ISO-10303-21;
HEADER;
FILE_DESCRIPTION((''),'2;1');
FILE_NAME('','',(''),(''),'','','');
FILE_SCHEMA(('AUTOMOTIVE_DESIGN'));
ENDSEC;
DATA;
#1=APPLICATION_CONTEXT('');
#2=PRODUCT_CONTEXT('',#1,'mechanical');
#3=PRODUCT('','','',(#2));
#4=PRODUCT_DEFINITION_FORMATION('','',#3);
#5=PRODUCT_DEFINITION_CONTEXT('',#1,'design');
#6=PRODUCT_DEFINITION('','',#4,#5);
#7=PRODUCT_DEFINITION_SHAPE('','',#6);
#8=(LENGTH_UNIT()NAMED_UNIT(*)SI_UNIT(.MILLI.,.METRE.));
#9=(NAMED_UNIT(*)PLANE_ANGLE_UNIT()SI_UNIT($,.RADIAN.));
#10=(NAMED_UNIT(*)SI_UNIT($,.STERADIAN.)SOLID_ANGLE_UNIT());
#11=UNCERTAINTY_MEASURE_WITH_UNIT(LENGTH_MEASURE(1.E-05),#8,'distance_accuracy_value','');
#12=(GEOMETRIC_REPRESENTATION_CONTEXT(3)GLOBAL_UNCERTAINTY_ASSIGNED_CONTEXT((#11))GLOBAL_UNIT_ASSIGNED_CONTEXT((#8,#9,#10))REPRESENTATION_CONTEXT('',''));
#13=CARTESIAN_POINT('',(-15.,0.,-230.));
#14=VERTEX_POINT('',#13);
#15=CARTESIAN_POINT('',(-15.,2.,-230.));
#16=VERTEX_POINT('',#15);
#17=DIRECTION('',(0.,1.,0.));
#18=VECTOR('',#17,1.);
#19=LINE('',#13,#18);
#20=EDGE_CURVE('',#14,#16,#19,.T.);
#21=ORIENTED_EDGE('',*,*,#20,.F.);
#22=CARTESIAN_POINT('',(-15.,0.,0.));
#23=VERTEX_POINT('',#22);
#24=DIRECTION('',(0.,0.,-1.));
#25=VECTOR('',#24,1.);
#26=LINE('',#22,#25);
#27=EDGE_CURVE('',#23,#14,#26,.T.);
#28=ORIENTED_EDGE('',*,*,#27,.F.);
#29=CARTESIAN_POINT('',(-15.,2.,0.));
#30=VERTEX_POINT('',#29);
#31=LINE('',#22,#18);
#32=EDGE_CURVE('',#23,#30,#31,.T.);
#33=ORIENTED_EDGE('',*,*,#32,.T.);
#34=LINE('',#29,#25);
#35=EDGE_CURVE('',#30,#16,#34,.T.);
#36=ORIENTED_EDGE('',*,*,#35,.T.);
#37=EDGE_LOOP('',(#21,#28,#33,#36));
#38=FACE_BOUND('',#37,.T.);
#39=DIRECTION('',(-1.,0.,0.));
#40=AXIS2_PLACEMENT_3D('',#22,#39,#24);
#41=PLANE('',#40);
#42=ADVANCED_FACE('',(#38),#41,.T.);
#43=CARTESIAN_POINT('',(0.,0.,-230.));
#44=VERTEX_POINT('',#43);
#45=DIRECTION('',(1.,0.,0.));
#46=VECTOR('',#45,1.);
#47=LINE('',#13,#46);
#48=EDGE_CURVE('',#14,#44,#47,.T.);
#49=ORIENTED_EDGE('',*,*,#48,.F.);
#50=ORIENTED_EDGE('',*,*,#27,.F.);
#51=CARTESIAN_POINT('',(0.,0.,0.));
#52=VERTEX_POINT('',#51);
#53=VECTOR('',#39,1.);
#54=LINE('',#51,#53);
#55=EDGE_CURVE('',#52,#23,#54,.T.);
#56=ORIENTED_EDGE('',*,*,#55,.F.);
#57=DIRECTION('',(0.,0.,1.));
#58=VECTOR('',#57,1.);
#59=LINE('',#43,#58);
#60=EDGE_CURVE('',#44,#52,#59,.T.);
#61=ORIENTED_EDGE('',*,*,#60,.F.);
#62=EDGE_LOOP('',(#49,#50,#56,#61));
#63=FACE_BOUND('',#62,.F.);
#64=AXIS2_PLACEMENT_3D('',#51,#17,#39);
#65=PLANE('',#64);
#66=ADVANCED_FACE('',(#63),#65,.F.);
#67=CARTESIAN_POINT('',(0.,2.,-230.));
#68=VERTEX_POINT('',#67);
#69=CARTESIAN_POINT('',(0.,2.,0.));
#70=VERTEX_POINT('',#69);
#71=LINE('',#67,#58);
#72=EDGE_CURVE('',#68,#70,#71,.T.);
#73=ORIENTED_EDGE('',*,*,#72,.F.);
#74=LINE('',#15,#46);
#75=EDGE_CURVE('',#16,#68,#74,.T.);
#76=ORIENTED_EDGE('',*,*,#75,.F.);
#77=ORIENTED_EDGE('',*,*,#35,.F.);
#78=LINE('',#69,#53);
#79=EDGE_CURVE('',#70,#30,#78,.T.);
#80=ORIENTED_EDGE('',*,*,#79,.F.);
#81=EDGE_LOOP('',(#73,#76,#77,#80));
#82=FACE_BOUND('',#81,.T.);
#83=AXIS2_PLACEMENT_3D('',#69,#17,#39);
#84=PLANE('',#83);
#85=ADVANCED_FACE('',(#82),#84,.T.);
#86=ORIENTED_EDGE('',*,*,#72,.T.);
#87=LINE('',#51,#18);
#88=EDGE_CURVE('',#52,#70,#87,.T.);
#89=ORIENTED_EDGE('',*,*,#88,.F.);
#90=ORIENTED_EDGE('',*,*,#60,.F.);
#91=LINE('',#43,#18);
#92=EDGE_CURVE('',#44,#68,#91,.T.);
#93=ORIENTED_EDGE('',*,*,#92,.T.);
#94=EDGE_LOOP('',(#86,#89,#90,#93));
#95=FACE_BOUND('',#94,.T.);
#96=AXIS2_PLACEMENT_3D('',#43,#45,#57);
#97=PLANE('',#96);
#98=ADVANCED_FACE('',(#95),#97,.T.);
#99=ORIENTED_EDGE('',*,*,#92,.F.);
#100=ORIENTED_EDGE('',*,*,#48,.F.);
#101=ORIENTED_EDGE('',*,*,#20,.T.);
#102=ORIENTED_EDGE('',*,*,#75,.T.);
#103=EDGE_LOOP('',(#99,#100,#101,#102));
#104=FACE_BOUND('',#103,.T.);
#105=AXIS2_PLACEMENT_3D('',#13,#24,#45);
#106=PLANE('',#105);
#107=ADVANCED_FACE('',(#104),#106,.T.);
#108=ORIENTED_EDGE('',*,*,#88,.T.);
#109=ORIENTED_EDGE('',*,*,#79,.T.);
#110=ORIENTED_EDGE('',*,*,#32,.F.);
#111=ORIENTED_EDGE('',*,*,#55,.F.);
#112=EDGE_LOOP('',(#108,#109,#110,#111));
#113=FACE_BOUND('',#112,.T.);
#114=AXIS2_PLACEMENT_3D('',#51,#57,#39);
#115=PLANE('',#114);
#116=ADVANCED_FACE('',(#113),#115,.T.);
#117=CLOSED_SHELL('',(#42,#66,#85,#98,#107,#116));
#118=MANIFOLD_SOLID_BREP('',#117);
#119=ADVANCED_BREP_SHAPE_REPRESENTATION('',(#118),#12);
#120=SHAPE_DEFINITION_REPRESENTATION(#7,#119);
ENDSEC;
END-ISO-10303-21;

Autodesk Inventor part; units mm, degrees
ref_plane "YZ Plane" through (0, 0, 0) normal (1, 0, 0) x (0, 1, 0)
ref_plane "XZ Plane" through (0, 0, 0) normal (0, 1, 0) x (-1, 0, 0)
ref_plane "XY Plane" through (0, 0, 0) normal (0, 0, 1) x (1, 0, 0)
sketch "Sketch1" plane through (0, 0, 0) normal (0, 1, 0) x (-1, 0, 0)
  line L0 (0, 0) -> (15, 0)
  line L1 (15, 0) -> (15, -230)
  line L2 (15, -230) -> (0, -230)
  line L3 (0, -230) -> (0, 0)
  dimension "d0" = 15
  dimension "d1" = 230
extrude "Extrusion1" add sketch "Sketch1" along normal blind 2
properties part number "TestBaseSoportes"
